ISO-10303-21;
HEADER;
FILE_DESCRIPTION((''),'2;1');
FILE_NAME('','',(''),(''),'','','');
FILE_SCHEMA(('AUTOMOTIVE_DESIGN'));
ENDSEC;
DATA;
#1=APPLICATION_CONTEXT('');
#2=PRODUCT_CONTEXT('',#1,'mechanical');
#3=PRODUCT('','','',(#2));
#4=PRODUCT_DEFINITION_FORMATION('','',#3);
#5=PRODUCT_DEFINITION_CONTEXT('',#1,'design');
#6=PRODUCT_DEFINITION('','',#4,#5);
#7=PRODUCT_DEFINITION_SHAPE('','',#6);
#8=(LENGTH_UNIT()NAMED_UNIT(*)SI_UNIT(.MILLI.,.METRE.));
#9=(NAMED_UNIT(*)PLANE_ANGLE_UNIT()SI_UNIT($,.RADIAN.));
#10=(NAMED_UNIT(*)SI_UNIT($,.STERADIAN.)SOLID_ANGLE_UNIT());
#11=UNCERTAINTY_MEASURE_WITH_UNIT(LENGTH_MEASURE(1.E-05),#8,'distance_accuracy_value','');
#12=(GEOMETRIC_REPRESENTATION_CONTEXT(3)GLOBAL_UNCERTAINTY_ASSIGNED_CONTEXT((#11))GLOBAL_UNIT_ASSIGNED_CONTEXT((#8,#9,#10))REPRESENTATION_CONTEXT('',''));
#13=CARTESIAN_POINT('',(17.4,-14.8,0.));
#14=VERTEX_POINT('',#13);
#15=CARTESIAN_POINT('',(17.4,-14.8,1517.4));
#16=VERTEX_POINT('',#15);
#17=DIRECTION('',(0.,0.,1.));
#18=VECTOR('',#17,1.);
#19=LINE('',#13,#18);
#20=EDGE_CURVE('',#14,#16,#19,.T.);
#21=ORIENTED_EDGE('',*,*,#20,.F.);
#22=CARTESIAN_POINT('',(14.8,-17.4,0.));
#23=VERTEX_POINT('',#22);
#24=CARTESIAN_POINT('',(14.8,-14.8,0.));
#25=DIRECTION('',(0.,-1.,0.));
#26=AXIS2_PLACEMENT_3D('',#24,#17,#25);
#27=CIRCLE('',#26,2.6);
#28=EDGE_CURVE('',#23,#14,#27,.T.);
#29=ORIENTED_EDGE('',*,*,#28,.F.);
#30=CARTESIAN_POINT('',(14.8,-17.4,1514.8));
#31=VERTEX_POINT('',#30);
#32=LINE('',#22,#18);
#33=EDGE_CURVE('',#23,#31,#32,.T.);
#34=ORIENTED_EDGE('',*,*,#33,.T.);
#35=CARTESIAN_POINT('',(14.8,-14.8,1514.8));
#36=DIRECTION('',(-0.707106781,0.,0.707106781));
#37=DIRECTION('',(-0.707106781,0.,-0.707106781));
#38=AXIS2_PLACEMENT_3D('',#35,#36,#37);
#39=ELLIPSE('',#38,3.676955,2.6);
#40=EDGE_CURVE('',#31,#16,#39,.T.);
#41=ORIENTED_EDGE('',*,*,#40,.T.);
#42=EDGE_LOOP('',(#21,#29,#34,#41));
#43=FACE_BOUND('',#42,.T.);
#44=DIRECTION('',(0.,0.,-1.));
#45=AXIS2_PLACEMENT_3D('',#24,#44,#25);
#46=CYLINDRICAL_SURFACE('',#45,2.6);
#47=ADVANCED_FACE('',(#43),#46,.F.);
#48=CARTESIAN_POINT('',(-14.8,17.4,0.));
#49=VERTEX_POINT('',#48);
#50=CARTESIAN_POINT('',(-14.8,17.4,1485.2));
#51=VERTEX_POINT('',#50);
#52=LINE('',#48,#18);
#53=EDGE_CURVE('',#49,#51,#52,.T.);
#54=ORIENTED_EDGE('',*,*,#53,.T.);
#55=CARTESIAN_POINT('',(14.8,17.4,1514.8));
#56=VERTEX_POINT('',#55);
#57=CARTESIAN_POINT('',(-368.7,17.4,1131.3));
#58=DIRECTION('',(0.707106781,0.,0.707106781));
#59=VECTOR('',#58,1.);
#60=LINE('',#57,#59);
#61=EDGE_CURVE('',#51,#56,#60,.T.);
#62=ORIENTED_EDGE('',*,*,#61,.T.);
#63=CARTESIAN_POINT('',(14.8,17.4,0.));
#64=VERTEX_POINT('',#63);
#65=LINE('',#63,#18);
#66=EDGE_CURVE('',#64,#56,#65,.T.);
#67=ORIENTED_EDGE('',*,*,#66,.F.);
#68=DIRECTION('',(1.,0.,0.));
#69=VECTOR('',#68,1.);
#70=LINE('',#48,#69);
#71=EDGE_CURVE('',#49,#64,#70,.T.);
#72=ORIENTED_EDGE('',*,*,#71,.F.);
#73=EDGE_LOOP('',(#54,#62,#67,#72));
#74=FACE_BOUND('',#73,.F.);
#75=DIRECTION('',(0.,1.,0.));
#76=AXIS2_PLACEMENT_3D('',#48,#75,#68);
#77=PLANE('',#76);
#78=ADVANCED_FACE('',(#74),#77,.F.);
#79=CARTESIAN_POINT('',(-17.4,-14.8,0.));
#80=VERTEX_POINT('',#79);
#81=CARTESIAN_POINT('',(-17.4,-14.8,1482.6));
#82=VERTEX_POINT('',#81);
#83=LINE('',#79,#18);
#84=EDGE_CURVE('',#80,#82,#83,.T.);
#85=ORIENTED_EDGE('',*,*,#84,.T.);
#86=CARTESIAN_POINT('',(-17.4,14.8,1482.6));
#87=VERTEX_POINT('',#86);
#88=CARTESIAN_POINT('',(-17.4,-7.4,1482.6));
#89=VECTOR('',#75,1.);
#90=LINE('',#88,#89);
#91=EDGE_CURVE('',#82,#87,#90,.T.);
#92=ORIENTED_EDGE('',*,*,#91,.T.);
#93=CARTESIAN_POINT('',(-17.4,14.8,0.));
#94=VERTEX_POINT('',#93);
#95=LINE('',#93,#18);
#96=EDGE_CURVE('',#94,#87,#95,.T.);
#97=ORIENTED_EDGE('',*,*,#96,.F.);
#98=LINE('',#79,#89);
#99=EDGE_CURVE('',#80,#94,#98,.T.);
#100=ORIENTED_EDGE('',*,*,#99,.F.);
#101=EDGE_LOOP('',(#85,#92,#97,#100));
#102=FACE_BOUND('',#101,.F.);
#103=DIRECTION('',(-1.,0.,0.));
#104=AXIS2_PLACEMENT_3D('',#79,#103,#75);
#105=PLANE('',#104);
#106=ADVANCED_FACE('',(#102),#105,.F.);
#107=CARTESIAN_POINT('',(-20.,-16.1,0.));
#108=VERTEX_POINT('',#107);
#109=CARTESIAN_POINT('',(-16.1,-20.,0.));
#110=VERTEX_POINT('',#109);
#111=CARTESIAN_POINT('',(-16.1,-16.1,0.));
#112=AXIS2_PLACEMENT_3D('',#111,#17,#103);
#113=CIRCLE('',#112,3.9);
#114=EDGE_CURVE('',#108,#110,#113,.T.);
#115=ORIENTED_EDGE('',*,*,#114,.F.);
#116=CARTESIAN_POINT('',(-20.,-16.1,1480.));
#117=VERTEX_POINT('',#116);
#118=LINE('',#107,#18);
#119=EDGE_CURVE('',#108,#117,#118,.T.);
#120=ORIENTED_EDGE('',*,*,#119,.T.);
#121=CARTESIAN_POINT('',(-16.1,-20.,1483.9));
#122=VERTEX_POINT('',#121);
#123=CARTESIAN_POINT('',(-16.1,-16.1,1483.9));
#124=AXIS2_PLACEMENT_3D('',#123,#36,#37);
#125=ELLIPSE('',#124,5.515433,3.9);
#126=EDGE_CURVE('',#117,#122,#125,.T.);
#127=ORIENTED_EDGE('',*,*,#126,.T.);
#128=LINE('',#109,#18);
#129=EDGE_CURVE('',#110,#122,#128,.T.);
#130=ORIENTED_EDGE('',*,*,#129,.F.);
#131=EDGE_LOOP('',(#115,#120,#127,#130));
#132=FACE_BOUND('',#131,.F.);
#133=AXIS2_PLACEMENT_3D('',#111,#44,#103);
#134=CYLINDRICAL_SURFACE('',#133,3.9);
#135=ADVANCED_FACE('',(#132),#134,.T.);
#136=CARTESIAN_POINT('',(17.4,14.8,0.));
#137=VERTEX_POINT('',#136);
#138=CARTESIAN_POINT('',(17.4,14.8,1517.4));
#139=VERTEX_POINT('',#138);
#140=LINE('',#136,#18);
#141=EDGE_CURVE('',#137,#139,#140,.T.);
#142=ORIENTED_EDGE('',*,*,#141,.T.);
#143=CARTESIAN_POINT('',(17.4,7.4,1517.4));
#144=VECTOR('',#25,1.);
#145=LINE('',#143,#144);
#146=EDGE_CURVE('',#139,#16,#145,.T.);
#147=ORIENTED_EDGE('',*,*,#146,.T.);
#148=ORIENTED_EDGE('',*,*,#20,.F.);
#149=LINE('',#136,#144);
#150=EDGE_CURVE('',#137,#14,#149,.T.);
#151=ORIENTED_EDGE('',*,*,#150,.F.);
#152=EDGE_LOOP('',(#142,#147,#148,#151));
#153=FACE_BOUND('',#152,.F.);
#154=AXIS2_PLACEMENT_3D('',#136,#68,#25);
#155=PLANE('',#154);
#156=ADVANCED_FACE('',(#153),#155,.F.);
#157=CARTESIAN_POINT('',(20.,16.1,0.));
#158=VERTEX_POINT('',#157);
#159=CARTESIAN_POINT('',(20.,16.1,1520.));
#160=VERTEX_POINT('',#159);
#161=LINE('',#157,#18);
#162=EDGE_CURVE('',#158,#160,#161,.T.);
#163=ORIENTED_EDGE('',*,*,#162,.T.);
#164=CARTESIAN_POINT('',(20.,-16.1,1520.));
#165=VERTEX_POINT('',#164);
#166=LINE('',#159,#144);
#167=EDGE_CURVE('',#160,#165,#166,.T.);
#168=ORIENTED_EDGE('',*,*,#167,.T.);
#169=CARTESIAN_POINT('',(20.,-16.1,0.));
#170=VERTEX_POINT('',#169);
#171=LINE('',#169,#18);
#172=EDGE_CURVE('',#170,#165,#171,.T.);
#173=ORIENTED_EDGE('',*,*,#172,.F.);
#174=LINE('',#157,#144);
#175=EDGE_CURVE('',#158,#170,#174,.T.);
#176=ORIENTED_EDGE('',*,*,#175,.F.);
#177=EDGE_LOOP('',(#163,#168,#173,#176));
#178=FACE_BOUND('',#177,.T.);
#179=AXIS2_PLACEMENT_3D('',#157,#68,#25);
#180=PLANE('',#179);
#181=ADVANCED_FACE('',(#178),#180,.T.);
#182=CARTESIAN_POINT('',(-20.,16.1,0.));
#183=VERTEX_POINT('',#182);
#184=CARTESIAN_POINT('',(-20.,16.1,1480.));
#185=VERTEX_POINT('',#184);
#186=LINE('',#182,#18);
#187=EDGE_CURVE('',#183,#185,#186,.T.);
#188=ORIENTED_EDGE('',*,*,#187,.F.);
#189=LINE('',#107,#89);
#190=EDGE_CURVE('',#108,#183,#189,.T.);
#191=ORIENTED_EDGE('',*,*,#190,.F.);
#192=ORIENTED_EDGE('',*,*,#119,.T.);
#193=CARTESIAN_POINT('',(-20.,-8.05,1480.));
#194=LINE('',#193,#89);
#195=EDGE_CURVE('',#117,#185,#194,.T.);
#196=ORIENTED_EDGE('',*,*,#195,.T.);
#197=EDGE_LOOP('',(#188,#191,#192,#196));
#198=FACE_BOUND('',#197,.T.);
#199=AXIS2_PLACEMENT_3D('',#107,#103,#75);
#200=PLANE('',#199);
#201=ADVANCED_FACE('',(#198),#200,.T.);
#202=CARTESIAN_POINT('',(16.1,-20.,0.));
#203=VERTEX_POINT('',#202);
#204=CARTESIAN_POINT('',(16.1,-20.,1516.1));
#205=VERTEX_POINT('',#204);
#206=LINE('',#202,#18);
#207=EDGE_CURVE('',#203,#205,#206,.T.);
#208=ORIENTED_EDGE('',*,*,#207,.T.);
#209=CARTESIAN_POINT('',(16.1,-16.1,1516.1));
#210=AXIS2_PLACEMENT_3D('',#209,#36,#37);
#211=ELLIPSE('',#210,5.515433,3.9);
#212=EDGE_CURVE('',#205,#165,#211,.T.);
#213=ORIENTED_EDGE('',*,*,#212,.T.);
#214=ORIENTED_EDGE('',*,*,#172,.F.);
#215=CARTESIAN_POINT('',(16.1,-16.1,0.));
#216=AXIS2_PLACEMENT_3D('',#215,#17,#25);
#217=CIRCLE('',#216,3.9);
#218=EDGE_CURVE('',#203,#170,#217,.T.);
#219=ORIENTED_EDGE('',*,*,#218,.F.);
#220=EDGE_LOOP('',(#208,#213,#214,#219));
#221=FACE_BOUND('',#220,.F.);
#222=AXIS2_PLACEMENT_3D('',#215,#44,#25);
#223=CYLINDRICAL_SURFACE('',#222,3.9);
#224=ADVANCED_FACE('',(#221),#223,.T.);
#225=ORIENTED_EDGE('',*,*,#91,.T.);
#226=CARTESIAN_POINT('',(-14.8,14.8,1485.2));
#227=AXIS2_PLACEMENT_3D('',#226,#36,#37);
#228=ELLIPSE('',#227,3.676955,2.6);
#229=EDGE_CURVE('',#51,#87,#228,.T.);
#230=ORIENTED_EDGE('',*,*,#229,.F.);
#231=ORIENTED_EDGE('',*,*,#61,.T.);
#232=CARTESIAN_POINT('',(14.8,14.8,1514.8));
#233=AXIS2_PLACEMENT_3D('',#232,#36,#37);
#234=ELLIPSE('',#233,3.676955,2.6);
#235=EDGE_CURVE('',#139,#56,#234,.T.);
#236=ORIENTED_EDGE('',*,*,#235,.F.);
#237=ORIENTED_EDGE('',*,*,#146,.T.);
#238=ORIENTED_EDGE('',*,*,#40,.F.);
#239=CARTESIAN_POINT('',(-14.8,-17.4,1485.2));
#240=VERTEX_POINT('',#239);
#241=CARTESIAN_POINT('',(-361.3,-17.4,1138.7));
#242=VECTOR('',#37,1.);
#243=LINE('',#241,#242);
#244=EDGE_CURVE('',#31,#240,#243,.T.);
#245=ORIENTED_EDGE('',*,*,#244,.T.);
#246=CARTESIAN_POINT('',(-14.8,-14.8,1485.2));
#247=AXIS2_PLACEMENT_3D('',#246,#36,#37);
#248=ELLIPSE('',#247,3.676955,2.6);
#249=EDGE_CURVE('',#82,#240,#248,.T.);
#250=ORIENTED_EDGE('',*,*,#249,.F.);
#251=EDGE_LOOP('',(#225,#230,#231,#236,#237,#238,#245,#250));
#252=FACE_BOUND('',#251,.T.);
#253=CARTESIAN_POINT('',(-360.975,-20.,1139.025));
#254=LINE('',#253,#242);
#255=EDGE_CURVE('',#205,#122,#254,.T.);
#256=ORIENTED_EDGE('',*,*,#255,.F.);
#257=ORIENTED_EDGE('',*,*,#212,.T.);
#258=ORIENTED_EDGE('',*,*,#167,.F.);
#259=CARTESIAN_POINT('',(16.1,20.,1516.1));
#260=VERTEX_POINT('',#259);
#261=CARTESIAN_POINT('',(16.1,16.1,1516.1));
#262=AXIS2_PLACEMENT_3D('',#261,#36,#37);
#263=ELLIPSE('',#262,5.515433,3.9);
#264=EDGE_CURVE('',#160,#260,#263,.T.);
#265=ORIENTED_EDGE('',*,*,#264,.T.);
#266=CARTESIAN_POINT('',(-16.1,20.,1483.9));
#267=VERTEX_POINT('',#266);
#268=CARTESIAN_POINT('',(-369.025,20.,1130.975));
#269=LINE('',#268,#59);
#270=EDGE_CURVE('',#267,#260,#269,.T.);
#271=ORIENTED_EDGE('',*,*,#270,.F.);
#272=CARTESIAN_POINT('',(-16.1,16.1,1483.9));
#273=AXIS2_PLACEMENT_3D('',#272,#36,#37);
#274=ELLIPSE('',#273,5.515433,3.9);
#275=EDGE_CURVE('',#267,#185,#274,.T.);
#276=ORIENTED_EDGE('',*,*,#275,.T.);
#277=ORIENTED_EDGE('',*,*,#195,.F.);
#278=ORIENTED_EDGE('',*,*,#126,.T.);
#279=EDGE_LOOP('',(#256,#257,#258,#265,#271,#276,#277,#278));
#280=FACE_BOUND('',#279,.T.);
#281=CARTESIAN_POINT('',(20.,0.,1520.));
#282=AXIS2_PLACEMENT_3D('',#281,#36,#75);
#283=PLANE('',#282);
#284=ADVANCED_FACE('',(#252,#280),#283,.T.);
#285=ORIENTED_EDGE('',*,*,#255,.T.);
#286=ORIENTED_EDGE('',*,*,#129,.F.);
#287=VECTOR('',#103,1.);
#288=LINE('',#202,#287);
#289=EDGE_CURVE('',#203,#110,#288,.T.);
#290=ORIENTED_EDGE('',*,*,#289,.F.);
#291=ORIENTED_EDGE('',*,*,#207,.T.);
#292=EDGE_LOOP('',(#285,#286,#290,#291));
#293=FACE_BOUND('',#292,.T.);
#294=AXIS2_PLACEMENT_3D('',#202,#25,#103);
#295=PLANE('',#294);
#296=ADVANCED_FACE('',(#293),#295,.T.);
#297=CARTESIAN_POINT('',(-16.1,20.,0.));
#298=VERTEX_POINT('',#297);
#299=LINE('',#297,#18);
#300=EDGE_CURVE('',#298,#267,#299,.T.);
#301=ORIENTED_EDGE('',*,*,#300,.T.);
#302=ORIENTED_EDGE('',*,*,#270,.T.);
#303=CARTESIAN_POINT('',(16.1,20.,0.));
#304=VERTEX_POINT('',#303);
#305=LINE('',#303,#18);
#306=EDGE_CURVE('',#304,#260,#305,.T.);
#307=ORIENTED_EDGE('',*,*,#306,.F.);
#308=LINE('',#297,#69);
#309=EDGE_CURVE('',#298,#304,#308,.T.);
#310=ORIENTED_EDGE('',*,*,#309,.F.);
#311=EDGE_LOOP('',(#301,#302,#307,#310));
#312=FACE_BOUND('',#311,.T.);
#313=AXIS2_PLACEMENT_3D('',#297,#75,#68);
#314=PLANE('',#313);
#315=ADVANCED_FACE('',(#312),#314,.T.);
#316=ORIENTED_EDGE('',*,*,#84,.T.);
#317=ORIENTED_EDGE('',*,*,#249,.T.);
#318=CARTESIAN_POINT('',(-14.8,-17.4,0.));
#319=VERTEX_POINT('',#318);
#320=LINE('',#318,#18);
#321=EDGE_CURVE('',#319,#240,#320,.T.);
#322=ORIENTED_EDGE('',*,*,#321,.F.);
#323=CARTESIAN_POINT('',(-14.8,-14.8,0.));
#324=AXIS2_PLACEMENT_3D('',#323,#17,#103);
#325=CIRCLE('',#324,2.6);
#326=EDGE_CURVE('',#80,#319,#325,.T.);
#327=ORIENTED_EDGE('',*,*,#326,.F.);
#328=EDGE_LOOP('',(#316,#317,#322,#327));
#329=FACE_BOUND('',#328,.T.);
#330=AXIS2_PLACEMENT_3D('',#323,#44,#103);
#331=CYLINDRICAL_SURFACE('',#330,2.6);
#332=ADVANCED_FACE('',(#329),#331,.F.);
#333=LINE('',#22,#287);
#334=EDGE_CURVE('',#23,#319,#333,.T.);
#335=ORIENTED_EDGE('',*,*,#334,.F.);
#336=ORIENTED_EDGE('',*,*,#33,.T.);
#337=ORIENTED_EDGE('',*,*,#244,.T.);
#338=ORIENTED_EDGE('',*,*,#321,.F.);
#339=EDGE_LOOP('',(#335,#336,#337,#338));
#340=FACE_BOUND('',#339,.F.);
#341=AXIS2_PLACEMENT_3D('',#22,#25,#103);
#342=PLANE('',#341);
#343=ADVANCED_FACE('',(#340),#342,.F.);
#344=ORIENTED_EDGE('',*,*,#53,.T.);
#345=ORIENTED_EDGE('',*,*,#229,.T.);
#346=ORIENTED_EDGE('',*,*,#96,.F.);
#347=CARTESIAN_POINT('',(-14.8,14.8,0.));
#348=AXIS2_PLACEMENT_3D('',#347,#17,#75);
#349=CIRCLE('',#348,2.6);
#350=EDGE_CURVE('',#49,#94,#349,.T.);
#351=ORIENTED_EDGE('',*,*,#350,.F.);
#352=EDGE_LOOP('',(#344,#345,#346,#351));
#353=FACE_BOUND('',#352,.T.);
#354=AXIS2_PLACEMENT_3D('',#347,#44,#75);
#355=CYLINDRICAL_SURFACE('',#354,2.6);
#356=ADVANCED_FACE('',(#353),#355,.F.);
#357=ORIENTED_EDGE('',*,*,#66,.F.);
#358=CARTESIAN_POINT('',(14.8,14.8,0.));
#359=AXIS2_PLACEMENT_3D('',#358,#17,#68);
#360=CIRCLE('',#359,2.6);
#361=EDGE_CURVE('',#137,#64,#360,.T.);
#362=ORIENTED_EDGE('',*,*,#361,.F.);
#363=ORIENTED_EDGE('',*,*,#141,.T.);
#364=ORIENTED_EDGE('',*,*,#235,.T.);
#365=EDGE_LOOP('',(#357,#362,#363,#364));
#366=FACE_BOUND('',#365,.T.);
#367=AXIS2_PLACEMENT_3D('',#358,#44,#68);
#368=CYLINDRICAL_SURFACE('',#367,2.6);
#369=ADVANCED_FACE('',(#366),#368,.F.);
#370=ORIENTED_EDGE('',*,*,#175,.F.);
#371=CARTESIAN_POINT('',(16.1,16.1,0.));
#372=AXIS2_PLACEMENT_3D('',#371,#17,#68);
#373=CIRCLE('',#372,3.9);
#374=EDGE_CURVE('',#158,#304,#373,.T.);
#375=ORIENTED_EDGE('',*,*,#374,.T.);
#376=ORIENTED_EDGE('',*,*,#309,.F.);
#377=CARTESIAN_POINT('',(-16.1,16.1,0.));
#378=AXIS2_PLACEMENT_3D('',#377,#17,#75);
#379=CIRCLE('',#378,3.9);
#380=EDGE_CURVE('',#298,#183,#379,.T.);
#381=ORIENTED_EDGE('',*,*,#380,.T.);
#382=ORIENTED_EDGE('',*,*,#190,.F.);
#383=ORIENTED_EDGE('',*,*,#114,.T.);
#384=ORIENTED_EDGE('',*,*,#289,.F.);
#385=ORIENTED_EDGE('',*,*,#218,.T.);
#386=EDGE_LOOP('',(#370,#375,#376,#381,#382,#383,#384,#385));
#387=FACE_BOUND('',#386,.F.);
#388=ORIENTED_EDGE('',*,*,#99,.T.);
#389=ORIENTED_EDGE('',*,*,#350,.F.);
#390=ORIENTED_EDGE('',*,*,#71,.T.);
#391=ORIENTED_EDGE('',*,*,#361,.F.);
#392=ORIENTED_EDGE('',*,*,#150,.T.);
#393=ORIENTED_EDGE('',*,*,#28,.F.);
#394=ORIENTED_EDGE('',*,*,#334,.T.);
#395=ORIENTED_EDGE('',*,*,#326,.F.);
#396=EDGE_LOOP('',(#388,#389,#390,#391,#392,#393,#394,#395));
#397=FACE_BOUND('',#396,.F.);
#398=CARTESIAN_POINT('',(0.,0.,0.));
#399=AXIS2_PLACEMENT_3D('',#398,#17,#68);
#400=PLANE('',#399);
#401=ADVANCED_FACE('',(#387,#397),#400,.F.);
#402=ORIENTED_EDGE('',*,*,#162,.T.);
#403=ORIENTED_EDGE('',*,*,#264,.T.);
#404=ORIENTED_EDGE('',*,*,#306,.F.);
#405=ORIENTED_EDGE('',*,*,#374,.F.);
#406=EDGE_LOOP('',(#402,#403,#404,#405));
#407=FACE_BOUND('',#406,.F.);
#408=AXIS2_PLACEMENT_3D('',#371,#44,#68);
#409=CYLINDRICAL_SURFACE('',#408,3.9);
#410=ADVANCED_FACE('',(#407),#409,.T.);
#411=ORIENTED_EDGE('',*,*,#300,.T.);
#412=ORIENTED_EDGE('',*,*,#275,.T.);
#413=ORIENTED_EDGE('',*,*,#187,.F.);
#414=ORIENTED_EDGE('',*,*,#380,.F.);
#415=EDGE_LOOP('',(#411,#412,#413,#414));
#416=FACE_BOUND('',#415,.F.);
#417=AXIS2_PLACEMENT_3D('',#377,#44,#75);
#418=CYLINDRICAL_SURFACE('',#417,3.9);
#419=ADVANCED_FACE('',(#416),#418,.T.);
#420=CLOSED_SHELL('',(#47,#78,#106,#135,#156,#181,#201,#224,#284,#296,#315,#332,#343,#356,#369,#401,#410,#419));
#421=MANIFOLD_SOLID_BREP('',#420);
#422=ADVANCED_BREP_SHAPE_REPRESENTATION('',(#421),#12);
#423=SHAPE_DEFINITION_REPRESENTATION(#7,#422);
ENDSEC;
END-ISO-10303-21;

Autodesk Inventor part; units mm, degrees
ref_plane "Start plane" through (0, 0, 0) normal (0, 0, 1) x (1, 0, 0)
ref_plane "End plane" through (0, 0, 1520) normal (0, 0, 1) x (1, 0, 0)
sketch "Sketch" plane through (0, 0, 0) normal (0, 0, 1) x (1, 0, 0)
  line L0 (-20, -16.1) -> (-20, 16.1)
  line L1 (-16.1, 20) -> (16.1, 20)
  line L2 (20, 16.1) -> (20, -16.1)
  line L3 (16.1, -20) -> (-16.1, -20)
  arc A0 (-20, -16.1) -> (-16.1, -20) centre (-16.1, -16.1) ccw
  arc A1 (-16.1, 20) -> (-20, 16.1) centre (-16.1, 16.1) ccw
  arc A2 (20, 16.1) -> (16.1, 20) centre (16.1, 16.1) ccw
  arc A3 (16.1, -20) -> (20, -16.1) centre (16.1, -16.1) ccw
  line L4 (-14.8, 17.4) -> (14.8, 17.4)
  line L5 (17.4, 14.8) -> (17.4, -14.8)
  line L6 (14.8, -17.4) -> (-14.8, -17.4)
  line L7 (-17.4, -14.8) -> (-17.4, 14.8)
  line L8 (0, 29.1308) -> (0, -29.1308) construction
  line L9 (-29.1308, 0) -> (29.1308, 0) construction
  arc A4 (-17.4, -14.8) -> (-14.8, -17.4) centre (-14.8, -14.8) ccw
  arc A5 (-14.8, 17.4) -> (-17.4, 14.8) centre (-14.8, 14.8) ccw
  arc A6 (17.4, 14.8) -> (14.8, 17.4) centre (14.8, 14.8) ccw
  arc A7 (14.8, -17.4) -> (17.4, -14.8) centre (14.8, -14.8) ccw
  dimension "d7" = 3.9
  dimension "d10" = 40
  dimension "d11" = 40
  dimension "d12" = 2.6
  dimension "d15" = 20
  dimension "d16" = 20
  dimension "d19" = 2.6
  dimension "d20" = 2.6
extrude "Body" add sketch "Sketch" along normal up to surface (1520 mm away) from surface at 0
sketch "Sketch3" plane through (0, 0, 0) normal (0, 0, 1) x (1, 0, 0)
  line L0 (0, 0) -> (10, 0)
ref_plane "Work Plane3" through (0, 0, 0) normal (0, -1, 0) x (1, 0, 0)
sketch "Sketch4" plane through (0, 0, 0) normal (0, -1, 0) x (1, 0, 0)
  line L0 (-2, 0) -> (12, 0)
  line L1 (-2, 1520) -> (12, 1520)
  dimension "d18" = 1520
ref_plane "Work Plane4" through (20, 0, 1520) normal (-0.7071, 0, 0.7071) x (0.7071, 0, 0.7071)
split "Split1" plane through (20, 0, 1520) removes the side toward (-0.7071, 0, 0.7071)
equation "\"d7\" = G_IR"
equation "\"d10\" = G_H"
equation "\"d11\" = G_W"
equation "\"d12\" = G_T"
equation "\"d15\" = 0.5 * d10"
equation "\"d16\" = 0.5 * d11"
equation "\"d19\" = G_T"
equation "\"d20\" = G_T"
equation "\"d3\" = G_L"
equation "\"G_W\" = 40"
equation "\"G_H\" = 40"
equation "\"G_T\" = 2.6"
equation "\"G_IR\" = 3.9"
equation "\"G_L\" = d18"
equation "\"G_OFFSET_START\" = 0"
properties part number "EN 10210-2 - 40 x 40 x 2.6 - 1520" material "Steel, Galvanized"
